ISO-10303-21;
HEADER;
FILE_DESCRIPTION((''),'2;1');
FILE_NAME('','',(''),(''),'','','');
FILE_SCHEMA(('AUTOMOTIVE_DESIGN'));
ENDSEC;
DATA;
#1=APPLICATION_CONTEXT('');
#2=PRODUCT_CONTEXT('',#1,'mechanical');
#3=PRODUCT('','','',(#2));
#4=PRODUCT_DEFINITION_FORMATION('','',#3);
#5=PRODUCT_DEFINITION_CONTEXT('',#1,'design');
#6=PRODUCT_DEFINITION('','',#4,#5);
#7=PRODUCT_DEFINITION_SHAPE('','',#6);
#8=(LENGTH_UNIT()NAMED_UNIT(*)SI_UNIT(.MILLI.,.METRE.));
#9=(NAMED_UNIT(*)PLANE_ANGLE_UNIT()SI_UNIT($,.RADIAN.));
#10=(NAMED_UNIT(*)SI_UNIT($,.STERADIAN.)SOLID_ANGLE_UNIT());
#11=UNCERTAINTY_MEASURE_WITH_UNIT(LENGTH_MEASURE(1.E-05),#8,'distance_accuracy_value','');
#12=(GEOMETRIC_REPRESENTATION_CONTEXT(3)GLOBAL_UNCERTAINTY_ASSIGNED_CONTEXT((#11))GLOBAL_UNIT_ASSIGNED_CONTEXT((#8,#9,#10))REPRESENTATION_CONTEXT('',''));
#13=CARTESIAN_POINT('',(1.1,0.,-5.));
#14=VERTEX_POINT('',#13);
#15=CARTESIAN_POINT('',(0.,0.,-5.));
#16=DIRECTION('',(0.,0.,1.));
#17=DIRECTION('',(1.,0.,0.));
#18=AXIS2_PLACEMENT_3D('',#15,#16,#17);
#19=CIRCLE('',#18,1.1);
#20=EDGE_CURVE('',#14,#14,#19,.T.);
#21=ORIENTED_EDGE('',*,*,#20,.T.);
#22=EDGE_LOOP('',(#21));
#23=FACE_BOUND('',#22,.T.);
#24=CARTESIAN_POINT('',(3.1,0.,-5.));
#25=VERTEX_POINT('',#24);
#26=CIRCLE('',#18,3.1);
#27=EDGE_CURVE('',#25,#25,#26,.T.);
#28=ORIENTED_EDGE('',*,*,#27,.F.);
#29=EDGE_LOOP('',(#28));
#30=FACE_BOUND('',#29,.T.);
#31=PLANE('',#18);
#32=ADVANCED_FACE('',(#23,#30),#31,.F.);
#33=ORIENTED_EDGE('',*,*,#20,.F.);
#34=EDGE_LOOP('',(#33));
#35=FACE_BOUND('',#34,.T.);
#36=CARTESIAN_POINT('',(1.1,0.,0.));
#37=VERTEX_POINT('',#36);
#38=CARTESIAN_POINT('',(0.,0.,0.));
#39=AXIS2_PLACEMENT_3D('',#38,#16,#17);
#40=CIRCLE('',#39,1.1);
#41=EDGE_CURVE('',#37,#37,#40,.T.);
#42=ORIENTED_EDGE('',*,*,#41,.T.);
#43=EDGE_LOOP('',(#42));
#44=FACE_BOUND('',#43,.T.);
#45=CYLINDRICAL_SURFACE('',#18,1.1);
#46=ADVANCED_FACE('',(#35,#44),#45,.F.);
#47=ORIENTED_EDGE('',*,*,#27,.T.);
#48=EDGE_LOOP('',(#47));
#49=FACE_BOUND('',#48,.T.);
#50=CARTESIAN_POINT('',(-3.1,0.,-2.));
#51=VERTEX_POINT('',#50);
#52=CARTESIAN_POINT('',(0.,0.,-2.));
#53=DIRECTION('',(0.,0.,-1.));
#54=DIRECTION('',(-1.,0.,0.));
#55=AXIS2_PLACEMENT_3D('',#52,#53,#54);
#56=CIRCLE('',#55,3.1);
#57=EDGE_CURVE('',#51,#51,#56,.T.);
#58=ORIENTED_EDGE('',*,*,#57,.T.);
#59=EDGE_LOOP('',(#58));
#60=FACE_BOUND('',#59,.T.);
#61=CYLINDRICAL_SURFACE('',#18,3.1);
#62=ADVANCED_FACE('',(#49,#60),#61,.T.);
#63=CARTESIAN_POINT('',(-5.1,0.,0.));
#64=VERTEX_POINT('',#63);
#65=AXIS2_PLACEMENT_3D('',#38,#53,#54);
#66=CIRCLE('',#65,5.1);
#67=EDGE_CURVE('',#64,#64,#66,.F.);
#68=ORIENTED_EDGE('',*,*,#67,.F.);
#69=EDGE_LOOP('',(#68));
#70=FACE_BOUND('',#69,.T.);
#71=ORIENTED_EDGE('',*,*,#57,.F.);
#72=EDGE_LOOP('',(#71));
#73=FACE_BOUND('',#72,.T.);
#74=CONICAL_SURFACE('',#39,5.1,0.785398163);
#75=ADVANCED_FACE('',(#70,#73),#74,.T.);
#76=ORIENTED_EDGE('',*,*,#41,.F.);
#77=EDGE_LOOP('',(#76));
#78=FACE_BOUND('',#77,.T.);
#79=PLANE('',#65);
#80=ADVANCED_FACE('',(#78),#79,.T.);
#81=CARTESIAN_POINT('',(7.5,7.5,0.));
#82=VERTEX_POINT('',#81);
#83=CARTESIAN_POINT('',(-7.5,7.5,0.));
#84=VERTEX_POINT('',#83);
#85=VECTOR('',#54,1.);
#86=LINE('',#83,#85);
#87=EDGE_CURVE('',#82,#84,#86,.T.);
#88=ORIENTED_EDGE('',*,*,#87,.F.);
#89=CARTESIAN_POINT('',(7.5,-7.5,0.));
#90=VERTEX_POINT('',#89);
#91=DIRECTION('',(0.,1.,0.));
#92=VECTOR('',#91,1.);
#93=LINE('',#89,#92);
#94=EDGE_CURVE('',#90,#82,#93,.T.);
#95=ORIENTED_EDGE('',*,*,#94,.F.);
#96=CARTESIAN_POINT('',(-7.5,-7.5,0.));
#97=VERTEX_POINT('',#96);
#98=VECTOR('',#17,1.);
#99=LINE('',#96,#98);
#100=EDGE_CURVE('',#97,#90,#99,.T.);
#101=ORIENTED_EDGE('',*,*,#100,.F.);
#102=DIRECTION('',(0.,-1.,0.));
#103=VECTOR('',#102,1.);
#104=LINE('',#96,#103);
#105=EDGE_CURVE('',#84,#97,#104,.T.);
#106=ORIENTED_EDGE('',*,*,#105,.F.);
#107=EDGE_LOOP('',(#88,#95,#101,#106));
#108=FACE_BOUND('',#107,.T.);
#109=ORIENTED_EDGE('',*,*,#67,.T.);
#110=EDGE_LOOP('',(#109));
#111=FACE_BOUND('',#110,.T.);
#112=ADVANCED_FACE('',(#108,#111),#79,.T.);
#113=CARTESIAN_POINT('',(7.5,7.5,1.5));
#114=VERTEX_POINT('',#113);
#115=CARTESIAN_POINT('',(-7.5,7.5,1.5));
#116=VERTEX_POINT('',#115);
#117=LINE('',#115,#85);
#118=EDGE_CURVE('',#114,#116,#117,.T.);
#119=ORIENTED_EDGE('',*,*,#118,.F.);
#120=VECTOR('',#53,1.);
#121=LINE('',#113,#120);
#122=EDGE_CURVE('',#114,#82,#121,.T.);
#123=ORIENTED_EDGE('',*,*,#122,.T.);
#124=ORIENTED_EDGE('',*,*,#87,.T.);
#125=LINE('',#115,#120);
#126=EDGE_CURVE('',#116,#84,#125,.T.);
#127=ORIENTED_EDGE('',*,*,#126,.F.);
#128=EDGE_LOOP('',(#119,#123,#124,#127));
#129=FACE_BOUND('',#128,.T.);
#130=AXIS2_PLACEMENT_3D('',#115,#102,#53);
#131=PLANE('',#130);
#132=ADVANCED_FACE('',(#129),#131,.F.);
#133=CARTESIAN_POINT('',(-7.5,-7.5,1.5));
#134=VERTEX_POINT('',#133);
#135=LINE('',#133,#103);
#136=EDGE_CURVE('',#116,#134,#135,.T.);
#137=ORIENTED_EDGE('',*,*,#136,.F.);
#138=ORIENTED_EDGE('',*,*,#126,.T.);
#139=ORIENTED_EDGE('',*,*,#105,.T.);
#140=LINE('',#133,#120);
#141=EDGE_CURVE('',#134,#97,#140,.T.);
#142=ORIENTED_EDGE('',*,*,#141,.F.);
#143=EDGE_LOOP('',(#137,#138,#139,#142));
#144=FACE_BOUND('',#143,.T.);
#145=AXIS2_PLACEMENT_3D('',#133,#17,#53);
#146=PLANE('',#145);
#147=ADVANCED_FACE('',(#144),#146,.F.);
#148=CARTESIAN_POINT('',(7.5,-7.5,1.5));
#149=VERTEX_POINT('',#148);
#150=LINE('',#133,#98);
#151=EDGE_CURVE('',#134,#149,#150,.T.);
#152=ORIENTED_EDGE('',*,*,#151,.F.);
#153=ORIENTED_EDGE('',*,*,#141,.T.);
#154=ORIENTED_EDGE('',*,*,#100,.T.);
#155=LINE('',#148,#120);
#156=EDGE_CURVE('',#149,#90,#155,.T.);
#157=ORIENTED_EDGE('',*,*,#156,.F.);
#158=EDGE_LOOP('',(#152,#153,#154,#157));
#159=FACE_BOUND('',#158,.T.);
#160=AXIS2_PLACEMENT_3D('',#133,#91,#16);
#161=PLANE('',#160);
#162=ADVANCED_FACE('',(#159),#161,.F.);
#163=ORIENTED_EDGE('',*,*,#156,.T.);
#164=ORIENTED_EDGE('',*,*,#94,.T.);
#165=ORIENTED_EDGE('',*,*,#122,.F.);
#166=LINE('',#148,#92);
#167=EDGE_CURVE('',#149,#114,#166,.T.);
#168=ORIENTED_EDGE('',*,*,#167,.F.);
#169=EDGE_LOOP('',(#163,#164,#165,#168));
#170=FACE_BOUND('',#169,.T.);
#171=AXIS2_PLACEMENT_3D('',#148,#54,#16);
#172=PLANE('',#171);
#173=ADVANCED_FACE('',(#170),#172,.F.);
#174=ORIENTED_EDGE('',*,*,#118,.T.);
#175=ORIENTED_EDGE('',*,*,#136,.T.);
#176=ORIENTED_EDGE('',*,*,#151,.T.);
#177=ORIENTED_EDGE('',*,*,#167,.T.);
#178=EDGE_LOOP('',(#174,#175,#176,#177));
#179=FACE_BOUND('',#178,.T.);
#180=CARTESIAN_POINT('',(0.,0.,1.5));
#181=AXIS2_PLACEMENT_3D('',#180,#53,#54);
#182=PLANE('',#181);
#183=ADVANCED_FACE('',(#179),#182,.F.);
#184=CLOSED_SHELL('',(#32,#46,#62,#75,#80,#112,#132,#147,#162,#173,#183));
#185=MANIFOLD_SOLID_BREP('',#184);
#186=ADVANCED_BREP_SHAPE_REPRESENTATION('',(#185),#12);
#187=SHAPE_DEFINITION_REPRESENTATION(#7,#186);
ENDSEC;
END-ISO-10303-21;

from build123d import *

# Parameters (mm, degrees)
SKETCH_2_W        = 15
SKETCH_2_H        = 15
EXTRUDE_351_DEPTH = 1.5
SKETCH_3_R        = 3.1
SKETCH_3_R_2      = 1.1
EXTRUDE_479_DEPTH = 5
CHAMFER_1_SIZE    = 2


with BuildPart() as part:
    # Эскиз2 → Extrude 351 (new body)
    with BuildSketch(Plane.XY):
        Rectangle(SKETCH_2_W, SKETCH_2_H)
    extrude(amount=EXTRUDE_351_DEPTH)

    # Эскиз3 → Extrude 479 (add)
    with BuildSketch(Plane.XY):
        Circle(SKETCH_3_R)
        Circle(SKETCH_3_R_2, mode=Mode.SUBTRACT)
    extrude(amount=-EXTRUDE_479_DEPTH)

    # Фаска1
    chamfer_1_edges = [part.edges().sort_by_distance(p)[0] for p in [
        (-3.1, 0, 0),
    ]]
    chamfer(chamfer_1_edges, length=CHAMFER_1_SIZE)


solid = part.part
